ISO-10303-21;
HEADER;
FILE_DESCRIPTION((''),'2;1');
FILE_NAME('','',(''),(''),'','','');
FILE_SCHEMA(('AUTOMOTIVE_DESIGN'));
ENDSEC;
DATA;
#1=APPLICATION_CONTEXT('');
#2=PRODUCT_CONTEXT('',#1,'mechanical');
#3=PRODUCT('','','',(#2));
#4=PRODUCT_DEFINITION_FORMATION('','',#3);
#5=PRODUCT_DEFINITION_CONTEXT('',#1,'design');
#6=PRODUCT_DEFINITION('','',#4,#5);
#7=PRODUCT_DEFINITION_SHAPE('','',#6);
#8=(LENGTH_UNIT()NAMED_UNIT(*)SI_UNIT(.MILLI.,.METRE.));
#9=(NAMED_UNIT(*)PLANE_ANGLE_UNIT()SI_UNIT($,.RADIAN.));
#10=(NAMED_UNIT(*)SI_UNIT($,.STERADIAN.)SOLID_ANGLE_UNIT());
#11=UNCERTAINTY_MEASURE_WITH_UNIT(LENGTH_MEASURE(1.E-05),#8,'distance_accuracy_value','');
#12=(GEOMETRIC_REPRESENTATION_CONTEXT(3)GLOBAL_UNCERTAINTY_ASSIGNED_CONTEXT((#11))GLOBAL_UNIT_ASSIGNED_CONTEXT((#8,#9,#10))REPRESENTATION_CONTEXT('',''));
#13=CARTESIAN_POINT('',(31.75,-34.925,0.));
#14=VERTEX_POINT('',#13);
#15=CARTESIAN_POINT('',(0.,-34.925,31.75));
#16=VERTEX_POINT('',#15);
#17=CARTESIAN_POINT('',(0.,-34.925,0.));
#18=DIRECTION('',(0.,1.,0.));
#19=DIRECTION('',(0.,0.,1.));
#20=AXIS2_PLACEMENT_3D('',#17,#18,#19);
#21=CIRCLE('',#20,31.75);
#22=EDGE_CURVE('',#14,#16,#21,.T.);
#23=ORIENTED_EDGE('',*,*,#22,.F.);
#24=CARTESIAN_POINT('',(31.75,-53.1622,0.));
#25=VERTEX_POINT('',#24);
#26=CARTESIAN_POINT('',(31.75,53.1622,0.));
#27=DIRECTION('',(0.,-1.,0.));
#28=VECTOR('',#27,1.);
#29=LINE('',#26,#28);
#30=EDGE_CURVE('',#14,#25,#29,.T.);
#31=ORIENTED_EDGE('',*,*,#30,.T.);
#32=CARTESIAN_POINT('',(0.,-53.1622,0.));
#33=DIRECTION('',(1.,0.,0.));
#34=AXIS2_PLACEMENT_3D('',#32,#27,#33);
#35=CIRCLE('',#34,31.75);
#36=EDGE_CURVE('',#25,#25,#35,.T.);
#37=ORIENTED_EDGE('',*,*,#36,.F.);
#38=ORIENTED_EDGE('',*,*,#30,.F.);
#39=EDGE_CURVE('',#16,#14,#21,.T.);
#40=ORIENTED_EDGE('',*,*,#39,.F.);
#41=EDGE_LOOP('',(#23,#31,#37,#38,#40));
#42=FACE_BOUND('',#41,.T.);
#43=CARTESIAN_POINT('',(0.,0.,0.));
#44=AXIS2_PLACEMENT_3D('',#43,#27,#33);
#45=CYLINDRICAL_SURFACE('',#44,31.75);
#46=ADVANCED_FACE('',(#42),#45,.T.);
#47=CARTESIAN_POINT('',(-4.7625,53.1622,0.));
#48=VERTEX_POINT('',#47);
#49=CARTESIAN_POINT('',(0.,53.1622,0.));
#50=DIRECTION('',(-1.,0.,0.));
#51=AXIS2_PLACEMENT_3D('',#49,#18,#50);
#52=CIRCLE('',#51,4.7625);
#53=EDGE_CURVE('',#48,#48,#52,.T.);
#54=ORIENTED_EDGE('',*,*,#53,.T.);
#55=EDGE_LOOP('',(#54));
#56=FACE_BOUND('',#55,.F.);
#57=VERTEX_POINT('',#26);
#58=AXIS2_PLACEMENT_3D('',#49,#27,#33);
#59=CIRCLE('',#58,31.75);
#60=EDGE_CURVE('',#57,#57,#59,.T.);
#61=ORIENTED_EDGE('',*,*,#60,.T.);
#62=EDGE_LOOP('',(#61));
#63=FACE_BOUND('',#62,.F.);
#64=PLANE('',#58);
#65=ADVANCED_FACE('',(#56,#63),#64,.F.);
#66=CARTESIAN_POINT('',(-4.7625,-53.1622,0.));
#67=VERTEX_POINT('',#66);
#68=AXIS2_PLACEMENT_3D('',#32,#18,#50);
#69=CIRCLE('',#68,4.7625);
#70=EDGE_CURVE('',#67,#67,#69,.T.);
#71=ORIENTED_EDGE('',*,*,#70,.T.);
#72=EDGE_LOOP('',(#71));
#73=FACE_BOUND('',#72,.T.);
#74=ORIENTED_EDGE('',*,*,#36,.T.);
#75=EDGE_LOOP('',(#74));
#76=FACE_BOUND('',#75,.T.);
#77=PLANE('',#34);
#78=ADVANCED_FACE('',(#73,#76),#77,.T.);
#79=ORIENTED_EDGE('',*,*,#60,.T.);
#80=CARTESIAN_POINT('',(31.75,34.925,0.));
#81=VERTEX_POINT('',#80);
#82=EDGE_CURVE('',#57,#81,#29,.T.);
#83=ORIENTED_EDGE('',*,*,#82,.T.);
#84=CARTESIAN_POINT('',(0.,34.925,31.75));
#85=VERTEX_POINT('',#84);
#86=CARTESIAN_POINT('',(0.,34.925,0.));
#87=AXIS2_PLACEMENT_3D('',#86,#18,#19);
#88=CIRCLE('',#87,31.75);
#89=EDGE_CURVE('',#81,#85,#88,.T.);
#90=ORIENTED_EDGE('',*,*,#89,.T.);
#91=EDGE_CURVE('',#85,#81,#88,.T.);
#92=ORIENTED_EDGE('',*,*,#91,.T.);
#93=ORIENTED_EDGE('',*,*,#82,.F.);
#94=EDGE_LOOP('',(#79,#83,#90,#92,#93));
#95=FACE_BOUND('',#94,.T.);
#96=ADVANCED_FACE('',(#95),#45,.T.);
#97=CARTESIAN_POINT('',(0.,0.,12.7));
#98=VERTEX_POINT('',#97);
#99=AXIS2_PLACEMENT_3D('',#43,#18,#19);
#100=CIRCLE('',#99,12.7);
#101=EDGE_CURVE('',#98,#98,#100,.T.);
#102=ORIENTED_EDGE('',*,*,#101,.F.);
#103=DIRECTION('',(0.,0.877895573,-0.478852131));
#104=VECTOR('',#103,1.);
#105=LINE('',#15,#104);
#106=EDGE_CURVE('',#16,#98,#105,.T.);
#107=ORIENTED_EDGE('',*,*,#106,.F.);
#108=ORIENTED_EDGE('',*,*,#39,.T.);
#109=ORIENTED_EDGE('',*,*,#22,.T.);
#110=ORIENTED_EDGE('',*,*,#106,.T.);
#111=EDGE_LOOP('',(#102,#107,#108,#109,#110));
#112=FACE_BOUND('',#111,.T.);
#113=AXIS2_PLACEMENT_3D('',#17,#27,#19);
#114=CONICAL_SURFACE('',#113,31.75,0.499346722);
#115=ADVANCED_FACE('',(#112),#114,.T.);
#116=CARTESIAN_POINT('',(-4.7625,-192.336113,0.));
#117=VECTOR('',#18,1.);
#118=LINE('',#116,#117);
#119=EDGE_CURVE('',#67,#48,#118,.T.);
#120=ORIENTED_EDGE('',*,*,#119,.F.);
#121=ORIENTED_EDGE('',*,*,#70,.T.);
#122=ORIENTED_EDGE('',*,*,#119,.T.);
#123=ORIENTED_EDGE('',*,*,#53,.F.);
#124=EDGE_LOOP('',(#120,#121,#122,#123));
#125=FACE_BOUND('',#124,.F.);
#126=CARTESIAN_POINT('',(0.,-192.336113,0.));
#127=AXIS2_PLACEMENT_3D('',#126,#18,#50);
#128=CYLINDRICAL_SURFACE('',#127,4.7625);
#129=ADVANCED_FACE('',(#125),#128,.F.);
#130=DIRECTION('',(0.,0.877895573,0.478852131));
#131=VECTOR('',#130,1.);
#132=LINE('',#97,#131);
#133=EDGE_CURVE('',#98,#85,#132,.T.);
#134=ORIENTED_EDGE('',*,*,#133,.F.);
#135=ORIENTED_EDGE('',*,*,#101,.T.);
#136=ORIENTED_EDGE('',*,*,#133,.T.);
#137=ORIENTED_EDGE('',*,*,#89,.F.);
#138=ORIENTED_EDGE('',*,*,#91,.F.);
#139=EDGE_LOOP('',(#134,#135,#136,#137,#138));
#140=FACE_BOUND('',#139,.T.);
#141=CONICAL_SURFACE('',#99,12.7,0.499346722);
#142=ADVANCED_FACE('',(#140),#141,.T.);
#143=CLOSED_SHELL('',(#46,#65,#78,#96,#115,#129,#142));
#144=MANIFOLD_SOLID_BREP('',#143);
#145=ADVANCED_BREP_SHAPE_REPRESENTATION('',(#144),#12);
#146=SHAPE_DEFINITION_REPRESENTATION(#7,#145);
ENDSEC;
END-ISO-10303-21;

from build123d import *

# Parameters (mm, degrees)
F0_R     = 31.75
F1_DEPTH = 53.1622
F5_D     = 9.525


with BuildPart() as f1:
    # F0 (on Front) → F1 (new body, symmetric)
    with BuildSketch(Plane.XZ):
        Circle(F0_R)
    extrude(amount=F1_DEPTH, both=True)

    # F2 (on Right) → F3 (revolve, cut)
    with BuildSketch(Plane.YZ):
        Polygon((34.925, 31.75), (0, 31.75), (0, 12.7), align=None)
        Polygon((0, 12.7), (0, 31.75), (-34.925, 31.75), align=None)
    revolve(axis=Axis((0, 0, 0), (0, 1, 0)), mode=Mode.SUBTRACT)

    # F5 (through all)
    with Locations(Plane.XZ.offset(53.1622)):
        with Locations((0, 0)):
            Hole(F5_D / 2)


solid = f1.part
